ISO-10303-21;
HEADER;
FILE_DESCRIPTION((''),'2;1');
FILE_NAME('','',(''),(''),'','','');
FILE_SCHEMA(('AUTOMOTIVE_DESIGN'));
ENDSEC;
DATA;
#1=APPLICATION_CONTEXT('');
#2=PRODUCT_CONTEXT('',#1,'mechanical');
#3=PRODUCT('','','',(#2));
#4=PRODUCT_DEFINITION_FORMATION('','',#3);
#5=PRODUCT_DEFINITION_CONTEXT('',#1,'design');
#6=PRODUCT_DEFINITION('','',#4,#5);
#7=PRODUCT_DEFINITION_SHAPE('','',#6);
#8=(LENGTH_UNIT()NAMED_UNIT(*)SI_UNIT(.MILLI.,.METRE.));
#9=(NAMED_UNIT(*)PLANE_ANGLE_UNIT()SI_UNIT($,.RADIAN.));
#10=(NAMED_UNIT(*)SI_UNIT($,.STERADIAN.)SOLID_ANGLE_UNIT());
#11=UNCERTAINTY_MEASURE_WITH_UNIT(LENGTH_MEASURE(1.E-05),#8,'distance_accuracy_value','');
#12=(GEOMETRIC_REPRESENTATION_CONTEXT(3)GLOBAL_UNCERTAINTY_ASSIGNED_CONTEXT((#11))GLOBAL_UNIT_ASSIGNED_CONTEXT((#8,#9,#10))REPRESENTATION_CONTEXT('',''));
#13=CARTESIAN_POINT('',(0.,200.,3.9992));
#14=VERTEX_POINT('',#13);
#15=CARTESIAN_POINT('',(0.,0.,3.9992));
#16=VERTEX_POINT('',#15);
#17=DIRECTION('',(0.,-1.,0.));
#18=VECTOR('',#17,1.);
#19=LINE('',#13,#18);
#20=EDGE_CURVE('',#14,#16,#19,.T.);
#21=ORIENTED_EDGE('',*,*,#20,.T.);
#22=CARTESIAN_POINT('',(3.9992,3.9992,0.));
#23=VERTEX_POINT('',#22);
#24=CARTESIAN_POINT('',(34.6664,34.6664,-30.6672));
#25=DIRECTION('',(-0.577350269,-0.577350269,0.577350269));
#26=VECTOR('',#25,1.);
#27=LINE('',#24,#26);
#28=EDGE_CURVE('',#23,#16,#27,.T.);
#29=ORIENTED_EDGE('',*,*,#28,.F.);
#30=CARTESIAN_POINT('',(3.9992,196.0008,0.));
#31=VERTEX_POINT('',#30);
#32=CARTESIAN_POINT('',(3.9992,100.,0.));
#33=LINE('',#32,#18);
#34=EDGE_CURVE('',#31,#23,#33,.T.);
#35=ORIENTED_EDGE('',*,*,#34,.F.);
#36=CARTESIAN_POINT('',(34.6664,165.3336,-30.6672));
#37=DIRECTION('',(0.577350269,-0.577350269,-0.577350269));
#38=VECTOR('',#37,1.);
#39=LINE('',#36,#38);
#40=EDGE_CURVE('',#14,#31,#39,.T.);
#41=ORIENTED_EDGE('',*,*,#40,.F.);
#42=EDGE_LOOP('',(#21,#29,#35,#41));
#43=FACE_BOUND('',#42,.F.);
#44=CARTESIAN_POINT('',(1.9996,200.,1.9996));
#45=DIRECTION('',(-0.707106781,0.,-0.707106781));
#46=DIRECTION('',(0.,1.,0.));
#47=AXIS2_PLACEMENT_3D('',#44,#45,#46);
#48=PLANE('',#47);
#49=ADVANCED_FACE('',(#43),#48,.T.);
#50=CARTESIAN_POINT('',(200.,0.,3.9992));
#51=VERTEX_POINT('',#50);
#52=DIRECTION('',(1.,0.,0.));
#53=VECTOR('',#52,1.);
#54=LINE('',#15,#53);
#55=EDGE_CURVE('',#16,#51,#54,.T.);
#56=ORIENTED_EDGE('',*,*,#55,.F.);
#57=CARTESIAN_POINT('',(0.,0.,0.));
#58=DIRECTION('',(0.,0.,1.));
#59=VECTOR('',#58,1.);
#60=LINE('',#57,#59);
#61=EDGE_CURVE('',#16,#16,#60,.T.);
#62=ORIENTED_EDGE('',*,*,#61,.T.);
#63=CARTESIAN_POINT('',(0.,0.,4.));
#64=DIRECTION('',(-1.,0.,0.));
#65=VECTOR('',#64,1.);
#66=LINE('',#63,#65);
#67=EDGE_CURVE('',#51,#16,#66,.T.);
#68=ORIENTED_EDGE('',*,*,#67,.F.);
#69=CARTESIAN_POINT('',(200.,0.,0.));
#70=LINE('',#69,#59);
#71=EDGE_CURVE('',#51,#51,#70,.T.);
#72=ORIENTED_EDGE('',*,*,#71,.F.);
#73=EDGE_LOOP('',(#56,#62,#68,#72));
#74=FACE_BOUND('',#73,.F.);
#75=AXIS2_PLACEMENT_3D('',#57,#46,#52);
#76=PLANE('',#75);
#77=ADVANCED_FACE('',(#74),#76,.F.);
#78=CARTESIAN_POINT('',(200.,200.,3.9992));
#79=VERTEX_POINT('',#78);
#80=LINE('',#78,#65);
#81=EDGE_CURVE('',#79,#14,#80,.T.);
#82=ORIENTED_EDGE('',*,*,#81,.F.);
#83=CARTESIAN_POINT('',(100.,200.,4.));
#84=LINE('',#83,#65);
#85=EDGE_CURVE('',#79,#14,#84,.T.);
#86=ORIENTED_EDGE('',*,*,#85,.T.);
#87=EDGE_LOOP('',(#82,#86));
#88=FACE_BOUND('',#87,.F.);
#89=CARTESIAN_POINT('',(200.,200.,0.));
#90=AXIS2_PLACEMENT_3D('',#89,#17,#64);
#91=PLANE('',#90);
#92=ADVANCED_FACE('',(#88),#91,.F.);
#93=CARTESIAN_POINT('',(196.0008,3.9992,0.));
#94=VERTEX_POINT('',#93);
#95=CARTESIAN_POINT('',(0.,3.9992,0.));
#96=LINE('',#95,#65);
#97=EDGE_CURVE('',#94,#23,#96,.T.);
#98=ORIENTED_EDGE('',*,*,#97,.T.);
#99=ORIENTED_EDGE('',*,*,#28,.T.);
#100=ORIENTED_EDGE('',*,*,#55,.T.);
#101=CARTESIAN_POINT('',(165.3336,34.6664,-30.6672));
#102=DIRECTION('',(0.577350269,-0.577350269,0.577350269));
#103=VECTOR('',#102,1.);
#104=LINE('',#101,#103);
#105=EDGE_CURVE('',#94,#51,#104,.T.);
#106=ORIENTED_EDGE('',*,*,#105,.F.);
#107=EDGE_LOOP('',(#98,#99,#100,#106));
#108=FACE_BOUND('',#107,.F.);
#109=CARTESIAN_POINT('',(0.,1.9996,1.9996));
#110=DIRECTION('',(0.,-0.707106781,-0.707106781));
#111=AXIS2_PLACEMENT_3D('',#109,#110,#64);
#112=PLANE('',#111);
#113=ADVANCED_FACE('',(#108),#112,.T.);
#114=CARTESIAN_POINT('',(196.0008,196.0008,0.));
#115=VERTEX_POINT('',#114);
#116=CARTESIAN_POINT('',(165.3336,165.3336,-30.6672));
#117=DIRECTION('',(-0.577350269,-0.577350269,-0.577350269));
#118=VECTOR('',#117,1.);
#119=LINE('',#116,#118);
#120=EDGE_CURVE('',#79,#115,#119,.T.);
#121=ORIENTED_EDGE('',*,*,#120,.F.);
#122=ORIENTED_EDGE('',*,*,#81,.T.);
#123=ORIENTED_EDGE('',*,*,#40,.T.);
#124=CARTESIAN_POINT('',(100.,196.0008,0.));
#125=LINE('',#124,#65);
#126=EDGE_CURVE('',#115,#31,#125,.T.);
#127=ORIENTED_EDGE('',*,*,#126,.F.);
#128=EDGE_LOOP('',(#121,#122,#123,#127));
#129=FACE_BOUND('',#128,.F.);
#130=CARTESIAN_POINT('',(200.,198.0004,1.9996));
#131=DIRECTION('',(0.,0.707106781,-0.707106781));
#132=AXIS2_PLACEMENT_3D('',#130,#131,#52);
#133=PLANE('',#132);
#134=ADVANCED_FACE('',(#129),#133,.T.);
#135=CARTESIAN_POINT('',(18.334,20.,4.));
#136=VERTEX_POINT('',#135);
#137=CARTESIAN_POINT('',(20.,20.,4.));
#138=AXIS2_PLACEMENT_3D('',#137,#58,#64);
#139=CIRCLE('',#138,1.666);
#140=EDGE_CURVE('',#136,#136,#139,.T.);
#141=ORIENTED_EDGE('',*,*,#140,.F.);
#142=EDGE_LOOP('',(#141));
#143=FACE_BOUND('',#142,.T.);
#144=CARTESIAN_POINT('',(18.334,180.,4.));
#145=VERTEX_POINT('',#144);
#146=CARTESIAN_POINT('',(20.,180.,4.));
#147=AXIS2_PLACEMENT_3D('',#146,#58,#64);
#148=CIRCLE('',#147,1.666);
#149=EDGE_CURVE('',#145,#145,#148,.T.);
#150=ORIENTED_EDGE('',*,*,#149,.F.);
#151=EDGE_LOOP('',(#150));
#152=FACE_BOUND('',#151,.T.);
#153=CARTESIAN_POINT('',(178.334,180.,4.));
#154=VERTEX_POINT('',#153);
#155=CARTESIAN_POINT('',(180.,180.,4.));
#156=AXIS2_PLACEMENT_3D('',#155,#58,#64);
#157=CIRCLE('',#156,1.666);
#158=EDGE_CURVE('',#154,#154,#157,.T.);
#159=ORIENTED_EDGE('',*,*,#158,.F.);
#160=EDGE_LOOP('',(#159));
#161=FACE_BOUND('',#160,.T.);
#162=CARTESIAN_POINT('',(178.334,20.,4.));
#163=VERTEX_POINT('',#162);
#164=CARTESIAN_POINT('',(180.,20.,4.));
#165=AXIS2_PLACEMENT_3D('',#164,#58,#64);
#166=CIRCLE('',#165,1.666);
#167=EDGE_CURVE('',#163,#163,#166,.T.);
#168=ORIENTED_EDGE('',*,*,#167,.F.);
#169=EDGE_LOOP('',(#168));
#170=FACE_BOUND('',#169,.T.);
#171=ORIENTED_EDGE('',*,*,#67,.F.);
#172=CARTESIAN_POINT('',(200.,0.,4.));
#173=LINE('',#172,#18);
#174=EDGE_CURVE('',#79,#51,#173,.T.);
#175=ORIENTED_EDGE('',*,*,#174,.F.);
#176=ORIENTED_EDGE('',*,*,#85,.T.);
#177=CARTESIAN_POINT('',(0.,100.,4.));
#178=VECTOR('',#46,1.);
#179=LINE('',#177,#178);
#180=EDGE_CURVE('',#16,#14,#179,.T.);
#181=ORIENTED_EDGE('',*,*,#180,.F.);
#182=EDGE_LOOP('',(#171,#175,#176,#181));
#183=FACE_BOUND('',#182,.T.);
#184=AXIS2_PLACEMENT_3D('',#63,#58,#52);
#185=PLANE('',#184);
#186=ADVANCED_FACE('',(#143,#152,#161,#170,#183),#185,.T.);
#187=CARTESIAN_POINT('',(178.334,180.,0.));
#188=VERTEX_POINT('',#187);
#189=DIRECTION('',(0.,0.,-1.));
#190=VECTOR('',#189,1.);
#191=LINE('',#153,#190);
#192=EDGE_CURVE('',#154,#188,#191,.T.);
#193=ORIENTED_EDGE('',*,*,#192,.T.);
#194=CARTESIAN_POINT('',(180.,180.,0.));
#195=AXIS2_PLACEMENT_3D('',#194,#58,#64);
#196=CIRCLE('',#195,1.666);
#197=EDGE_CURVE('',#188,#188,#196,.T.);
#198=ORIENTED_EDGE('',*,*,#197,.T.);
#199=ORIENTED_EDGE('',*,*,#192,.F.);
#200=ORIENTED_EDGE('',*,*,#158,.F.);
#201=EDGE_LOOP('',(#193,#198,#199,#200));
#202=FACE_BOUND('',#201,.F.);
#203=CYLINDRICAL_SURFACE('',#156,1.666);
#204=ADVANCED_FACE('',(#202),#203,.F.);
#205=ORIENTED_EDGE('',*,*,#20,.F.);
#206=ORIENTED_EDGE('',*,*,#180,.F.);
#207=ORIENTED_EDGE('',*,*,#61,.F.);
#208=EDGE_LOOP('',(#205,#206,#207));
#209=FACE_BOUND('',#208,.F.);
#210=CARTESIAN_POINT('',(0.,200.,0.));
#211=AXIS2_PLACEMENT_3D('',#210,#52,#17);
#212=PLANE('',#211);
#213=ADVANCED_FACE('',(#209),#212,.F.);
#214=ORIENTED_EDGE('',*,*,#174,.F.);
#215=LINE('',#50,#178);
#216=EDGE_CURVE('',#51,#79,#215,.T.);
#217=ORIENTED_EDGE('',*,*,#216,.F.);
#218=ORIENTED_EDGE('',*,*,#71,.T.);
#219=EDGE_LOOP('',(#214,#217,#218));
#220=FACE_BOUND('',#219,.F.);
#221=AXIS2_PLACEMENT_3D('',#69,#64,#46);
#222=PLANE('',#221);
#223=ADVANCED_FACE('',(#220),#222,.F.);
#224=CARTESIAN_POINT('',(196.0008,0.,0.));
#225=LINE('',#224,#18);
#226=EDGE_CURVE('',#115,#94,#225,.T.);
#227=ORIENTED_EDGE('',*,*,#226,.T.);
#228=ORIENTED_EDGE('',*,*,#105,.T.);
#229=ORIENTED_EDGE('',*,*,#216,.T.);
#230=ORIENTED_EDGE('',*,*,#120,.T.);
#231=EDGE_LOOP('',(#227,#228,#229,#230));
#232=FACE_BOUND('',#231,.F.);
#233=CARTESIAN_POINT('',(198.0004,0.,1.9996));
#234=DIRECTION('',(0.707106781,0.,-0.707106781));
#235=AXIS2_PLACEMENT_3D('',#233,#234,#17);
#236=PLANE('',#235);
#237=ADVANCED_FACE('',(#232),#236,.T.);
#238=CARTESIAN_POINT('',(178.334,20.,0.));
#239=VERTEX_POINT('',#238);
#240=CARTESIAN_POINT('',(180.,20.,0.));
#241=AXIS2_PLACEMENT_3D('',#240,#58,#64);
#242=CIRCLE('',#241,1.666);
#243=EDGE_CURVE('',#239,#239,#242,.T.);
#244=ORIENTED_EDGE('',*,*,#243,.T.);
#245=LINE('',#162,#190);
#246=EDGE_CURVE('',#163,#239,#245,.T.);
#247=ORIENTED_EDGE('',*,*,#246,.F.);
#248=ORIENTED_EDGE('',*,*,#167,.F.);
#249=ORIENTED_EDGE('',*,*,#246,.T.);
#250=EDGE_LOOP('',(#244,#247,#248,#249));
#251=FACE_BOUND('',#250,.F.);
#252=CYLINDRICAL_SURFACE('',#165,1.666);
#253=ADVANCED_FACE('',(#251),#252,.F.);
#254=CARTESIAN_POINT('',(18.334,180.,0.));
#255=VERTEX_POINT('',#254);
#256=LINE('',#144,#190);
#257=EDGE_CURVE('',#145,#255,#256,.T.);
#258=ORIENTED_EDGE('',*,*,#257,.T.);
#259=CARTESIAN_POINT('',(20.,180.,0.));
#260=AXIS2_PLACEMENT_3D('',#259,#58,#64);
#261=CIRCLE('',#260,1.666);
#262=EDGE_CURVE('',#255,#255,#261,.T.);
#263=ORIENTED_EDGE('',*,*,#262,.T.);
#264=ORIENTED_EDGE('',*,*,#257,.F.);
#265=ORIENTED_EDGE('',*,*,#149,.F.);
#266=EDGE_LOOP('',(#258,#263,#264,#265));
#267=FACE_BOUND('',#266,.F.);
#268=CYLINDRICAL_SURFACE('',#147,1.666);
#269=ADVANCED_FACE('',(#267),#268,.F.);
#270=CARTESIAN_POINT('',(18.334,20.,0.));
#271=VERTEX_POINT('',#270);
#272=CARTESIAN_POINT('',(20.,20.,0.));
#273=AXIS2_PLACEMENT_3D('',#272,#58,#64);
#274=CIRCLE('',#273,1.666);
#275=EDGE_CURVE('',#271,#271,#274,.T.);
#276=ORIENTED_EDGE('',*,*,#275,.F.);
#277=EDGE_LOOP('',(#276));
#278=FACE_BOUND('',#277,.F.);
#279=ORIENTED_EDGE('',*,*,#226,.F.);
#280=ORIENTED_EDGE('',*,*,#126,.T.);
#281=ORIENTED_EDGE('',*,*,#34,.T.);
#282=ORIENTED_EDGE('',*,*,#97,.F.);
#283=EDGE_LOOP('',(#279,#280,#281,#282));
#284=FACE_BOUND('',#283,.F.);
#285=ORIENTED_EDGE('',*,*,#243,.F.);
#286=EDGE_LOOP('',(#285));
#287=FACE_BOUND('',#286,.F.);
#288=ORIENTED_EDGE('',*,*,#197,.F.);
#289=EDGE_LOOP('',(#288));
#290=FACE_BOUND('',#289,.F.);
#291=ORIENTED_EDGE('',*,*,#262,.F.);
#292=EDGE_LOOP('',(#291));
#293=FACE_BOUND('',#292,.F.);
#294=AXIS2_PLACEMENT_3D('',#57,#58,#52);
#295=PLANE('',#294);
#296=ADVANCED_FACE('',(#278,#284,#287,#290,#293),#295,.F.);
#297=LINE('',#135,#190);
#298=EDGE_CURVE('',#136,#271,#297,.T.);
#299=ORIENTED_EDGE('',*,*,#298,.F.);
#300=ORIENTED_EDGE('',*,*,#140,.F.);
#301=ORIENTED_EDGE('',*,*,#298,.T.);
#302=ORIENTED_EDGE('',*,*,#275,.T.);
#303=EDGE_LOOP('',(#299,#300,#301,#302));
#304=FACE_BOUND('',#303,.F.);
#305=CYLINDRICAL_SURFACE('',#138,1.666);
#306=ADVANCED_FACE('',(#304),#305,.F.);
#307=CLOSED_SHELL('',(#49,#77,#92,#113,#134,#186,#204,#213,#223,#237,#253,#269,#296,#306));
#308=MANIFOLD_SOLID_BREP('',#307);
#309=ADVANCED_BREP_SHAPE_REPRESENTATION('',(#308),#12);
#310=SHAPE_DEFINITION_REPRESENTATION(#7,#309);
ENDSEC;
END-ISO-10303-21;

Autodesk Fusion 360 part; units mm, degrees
sketch "Esquisse1" plane through (0, 0, 0) normal (0, 0, 1) x (1, 0, 0)
  line L0 (0, 0) -> (200, 0)
  line L1 (200, 0) -> (200, 200)
  line L2 (200, 200) -> (0, 200)
  line L3 (0, 200) -> (0, 0)
  dimension "d18" = 200
  dimension "d19" = 200
extrude "Extrusion1" add sketch "Esquisse1" along normal blind 4
chamfer "Chanfrein1" distance 4 angle 45 1 faces at (66.6667, 133.3333, 0)
sketch "Esquisse2" plane through (0, 0, 4) normal (0, 0, 1) x (-1, 0, 0)
  circle A0 centre (-20, -180) radius 2
  circle A1 centre (-180, -180) radius 2
  circle A2 centre (-180, -20) radius 2
  circle A3 centre (-20, -20) radius 2
  line L0 (0, 0) -> (-20, -20)
  line L1 (-200, 0) -> (-180, -20)
  line L2 (0, -200) -> (-20, -180)
  line L3 (-200, -200) -> (-180, -180)
  line L4 (0, -200) -> (0, 0)
  line L5 (0, 0) -> (-200, 0)
  line L6 (-200, 0) -> (-200, -200)
  line L7 (-200, -200) -> (0, -200)
  dimension "d10" = 4
  dimension "d11" = 4
  dimension "d12" = 4
  dimension "d13" = 4
  dimension "d20" = 28.2843
  dimension "d23" = 28.2843
  dimension "d24" = 28.2843
  dimension "d25" = 28.2843
extrude "Extrusion2" cut sketch "Esquisse2" against normal blind 14 contours A0 | A1 | A2 | A3
thread "Filetage1" "ISO Metric profile 4.0 M4x0.7 M4x0.7 6H" major diameter 4.1095 minor diameter 3.332 pitch 0.7 angle 60 resizes the face on face at (21.9603, 179.6037, 1.3333)
thread "Filetage2" "ISO Metric profile 4.0 M4x0.7 M4x0.7 6H" major diameter 4.1095 minor diameter 3.332 pitch 0.7 angle 60 resizes the face on face at (18.0099, 20.1991, 1.3333)
thread "Filetage3" "ISO Metric profile 4.0 M4x0.7 M4x0.7 6H" major diameter 4.1095 minor diameter 3.332 pitch 0.7 angle 60 resizes the face on face at (180.9124, 21.7797, 2.6667)
thread "Filetage4" "ISO Metric profile 4.0 M4x0.7 M4x0.7 6H" major diameter 4.1095 minor diameter 3.332 pitch 0.7 angle 60 resizes the face on face at (181.9603, 179.6037, 1.3333)
equation "d20 = ( sqrt(800) ) * 1 mm"
equation "d23 = ( sqrt(800) ) * 1 mm"
equation "d24 = ( sqrt(800) ) * 1 mm"
equation "d25 = ( sqrt(800) ) * 1 mm"
